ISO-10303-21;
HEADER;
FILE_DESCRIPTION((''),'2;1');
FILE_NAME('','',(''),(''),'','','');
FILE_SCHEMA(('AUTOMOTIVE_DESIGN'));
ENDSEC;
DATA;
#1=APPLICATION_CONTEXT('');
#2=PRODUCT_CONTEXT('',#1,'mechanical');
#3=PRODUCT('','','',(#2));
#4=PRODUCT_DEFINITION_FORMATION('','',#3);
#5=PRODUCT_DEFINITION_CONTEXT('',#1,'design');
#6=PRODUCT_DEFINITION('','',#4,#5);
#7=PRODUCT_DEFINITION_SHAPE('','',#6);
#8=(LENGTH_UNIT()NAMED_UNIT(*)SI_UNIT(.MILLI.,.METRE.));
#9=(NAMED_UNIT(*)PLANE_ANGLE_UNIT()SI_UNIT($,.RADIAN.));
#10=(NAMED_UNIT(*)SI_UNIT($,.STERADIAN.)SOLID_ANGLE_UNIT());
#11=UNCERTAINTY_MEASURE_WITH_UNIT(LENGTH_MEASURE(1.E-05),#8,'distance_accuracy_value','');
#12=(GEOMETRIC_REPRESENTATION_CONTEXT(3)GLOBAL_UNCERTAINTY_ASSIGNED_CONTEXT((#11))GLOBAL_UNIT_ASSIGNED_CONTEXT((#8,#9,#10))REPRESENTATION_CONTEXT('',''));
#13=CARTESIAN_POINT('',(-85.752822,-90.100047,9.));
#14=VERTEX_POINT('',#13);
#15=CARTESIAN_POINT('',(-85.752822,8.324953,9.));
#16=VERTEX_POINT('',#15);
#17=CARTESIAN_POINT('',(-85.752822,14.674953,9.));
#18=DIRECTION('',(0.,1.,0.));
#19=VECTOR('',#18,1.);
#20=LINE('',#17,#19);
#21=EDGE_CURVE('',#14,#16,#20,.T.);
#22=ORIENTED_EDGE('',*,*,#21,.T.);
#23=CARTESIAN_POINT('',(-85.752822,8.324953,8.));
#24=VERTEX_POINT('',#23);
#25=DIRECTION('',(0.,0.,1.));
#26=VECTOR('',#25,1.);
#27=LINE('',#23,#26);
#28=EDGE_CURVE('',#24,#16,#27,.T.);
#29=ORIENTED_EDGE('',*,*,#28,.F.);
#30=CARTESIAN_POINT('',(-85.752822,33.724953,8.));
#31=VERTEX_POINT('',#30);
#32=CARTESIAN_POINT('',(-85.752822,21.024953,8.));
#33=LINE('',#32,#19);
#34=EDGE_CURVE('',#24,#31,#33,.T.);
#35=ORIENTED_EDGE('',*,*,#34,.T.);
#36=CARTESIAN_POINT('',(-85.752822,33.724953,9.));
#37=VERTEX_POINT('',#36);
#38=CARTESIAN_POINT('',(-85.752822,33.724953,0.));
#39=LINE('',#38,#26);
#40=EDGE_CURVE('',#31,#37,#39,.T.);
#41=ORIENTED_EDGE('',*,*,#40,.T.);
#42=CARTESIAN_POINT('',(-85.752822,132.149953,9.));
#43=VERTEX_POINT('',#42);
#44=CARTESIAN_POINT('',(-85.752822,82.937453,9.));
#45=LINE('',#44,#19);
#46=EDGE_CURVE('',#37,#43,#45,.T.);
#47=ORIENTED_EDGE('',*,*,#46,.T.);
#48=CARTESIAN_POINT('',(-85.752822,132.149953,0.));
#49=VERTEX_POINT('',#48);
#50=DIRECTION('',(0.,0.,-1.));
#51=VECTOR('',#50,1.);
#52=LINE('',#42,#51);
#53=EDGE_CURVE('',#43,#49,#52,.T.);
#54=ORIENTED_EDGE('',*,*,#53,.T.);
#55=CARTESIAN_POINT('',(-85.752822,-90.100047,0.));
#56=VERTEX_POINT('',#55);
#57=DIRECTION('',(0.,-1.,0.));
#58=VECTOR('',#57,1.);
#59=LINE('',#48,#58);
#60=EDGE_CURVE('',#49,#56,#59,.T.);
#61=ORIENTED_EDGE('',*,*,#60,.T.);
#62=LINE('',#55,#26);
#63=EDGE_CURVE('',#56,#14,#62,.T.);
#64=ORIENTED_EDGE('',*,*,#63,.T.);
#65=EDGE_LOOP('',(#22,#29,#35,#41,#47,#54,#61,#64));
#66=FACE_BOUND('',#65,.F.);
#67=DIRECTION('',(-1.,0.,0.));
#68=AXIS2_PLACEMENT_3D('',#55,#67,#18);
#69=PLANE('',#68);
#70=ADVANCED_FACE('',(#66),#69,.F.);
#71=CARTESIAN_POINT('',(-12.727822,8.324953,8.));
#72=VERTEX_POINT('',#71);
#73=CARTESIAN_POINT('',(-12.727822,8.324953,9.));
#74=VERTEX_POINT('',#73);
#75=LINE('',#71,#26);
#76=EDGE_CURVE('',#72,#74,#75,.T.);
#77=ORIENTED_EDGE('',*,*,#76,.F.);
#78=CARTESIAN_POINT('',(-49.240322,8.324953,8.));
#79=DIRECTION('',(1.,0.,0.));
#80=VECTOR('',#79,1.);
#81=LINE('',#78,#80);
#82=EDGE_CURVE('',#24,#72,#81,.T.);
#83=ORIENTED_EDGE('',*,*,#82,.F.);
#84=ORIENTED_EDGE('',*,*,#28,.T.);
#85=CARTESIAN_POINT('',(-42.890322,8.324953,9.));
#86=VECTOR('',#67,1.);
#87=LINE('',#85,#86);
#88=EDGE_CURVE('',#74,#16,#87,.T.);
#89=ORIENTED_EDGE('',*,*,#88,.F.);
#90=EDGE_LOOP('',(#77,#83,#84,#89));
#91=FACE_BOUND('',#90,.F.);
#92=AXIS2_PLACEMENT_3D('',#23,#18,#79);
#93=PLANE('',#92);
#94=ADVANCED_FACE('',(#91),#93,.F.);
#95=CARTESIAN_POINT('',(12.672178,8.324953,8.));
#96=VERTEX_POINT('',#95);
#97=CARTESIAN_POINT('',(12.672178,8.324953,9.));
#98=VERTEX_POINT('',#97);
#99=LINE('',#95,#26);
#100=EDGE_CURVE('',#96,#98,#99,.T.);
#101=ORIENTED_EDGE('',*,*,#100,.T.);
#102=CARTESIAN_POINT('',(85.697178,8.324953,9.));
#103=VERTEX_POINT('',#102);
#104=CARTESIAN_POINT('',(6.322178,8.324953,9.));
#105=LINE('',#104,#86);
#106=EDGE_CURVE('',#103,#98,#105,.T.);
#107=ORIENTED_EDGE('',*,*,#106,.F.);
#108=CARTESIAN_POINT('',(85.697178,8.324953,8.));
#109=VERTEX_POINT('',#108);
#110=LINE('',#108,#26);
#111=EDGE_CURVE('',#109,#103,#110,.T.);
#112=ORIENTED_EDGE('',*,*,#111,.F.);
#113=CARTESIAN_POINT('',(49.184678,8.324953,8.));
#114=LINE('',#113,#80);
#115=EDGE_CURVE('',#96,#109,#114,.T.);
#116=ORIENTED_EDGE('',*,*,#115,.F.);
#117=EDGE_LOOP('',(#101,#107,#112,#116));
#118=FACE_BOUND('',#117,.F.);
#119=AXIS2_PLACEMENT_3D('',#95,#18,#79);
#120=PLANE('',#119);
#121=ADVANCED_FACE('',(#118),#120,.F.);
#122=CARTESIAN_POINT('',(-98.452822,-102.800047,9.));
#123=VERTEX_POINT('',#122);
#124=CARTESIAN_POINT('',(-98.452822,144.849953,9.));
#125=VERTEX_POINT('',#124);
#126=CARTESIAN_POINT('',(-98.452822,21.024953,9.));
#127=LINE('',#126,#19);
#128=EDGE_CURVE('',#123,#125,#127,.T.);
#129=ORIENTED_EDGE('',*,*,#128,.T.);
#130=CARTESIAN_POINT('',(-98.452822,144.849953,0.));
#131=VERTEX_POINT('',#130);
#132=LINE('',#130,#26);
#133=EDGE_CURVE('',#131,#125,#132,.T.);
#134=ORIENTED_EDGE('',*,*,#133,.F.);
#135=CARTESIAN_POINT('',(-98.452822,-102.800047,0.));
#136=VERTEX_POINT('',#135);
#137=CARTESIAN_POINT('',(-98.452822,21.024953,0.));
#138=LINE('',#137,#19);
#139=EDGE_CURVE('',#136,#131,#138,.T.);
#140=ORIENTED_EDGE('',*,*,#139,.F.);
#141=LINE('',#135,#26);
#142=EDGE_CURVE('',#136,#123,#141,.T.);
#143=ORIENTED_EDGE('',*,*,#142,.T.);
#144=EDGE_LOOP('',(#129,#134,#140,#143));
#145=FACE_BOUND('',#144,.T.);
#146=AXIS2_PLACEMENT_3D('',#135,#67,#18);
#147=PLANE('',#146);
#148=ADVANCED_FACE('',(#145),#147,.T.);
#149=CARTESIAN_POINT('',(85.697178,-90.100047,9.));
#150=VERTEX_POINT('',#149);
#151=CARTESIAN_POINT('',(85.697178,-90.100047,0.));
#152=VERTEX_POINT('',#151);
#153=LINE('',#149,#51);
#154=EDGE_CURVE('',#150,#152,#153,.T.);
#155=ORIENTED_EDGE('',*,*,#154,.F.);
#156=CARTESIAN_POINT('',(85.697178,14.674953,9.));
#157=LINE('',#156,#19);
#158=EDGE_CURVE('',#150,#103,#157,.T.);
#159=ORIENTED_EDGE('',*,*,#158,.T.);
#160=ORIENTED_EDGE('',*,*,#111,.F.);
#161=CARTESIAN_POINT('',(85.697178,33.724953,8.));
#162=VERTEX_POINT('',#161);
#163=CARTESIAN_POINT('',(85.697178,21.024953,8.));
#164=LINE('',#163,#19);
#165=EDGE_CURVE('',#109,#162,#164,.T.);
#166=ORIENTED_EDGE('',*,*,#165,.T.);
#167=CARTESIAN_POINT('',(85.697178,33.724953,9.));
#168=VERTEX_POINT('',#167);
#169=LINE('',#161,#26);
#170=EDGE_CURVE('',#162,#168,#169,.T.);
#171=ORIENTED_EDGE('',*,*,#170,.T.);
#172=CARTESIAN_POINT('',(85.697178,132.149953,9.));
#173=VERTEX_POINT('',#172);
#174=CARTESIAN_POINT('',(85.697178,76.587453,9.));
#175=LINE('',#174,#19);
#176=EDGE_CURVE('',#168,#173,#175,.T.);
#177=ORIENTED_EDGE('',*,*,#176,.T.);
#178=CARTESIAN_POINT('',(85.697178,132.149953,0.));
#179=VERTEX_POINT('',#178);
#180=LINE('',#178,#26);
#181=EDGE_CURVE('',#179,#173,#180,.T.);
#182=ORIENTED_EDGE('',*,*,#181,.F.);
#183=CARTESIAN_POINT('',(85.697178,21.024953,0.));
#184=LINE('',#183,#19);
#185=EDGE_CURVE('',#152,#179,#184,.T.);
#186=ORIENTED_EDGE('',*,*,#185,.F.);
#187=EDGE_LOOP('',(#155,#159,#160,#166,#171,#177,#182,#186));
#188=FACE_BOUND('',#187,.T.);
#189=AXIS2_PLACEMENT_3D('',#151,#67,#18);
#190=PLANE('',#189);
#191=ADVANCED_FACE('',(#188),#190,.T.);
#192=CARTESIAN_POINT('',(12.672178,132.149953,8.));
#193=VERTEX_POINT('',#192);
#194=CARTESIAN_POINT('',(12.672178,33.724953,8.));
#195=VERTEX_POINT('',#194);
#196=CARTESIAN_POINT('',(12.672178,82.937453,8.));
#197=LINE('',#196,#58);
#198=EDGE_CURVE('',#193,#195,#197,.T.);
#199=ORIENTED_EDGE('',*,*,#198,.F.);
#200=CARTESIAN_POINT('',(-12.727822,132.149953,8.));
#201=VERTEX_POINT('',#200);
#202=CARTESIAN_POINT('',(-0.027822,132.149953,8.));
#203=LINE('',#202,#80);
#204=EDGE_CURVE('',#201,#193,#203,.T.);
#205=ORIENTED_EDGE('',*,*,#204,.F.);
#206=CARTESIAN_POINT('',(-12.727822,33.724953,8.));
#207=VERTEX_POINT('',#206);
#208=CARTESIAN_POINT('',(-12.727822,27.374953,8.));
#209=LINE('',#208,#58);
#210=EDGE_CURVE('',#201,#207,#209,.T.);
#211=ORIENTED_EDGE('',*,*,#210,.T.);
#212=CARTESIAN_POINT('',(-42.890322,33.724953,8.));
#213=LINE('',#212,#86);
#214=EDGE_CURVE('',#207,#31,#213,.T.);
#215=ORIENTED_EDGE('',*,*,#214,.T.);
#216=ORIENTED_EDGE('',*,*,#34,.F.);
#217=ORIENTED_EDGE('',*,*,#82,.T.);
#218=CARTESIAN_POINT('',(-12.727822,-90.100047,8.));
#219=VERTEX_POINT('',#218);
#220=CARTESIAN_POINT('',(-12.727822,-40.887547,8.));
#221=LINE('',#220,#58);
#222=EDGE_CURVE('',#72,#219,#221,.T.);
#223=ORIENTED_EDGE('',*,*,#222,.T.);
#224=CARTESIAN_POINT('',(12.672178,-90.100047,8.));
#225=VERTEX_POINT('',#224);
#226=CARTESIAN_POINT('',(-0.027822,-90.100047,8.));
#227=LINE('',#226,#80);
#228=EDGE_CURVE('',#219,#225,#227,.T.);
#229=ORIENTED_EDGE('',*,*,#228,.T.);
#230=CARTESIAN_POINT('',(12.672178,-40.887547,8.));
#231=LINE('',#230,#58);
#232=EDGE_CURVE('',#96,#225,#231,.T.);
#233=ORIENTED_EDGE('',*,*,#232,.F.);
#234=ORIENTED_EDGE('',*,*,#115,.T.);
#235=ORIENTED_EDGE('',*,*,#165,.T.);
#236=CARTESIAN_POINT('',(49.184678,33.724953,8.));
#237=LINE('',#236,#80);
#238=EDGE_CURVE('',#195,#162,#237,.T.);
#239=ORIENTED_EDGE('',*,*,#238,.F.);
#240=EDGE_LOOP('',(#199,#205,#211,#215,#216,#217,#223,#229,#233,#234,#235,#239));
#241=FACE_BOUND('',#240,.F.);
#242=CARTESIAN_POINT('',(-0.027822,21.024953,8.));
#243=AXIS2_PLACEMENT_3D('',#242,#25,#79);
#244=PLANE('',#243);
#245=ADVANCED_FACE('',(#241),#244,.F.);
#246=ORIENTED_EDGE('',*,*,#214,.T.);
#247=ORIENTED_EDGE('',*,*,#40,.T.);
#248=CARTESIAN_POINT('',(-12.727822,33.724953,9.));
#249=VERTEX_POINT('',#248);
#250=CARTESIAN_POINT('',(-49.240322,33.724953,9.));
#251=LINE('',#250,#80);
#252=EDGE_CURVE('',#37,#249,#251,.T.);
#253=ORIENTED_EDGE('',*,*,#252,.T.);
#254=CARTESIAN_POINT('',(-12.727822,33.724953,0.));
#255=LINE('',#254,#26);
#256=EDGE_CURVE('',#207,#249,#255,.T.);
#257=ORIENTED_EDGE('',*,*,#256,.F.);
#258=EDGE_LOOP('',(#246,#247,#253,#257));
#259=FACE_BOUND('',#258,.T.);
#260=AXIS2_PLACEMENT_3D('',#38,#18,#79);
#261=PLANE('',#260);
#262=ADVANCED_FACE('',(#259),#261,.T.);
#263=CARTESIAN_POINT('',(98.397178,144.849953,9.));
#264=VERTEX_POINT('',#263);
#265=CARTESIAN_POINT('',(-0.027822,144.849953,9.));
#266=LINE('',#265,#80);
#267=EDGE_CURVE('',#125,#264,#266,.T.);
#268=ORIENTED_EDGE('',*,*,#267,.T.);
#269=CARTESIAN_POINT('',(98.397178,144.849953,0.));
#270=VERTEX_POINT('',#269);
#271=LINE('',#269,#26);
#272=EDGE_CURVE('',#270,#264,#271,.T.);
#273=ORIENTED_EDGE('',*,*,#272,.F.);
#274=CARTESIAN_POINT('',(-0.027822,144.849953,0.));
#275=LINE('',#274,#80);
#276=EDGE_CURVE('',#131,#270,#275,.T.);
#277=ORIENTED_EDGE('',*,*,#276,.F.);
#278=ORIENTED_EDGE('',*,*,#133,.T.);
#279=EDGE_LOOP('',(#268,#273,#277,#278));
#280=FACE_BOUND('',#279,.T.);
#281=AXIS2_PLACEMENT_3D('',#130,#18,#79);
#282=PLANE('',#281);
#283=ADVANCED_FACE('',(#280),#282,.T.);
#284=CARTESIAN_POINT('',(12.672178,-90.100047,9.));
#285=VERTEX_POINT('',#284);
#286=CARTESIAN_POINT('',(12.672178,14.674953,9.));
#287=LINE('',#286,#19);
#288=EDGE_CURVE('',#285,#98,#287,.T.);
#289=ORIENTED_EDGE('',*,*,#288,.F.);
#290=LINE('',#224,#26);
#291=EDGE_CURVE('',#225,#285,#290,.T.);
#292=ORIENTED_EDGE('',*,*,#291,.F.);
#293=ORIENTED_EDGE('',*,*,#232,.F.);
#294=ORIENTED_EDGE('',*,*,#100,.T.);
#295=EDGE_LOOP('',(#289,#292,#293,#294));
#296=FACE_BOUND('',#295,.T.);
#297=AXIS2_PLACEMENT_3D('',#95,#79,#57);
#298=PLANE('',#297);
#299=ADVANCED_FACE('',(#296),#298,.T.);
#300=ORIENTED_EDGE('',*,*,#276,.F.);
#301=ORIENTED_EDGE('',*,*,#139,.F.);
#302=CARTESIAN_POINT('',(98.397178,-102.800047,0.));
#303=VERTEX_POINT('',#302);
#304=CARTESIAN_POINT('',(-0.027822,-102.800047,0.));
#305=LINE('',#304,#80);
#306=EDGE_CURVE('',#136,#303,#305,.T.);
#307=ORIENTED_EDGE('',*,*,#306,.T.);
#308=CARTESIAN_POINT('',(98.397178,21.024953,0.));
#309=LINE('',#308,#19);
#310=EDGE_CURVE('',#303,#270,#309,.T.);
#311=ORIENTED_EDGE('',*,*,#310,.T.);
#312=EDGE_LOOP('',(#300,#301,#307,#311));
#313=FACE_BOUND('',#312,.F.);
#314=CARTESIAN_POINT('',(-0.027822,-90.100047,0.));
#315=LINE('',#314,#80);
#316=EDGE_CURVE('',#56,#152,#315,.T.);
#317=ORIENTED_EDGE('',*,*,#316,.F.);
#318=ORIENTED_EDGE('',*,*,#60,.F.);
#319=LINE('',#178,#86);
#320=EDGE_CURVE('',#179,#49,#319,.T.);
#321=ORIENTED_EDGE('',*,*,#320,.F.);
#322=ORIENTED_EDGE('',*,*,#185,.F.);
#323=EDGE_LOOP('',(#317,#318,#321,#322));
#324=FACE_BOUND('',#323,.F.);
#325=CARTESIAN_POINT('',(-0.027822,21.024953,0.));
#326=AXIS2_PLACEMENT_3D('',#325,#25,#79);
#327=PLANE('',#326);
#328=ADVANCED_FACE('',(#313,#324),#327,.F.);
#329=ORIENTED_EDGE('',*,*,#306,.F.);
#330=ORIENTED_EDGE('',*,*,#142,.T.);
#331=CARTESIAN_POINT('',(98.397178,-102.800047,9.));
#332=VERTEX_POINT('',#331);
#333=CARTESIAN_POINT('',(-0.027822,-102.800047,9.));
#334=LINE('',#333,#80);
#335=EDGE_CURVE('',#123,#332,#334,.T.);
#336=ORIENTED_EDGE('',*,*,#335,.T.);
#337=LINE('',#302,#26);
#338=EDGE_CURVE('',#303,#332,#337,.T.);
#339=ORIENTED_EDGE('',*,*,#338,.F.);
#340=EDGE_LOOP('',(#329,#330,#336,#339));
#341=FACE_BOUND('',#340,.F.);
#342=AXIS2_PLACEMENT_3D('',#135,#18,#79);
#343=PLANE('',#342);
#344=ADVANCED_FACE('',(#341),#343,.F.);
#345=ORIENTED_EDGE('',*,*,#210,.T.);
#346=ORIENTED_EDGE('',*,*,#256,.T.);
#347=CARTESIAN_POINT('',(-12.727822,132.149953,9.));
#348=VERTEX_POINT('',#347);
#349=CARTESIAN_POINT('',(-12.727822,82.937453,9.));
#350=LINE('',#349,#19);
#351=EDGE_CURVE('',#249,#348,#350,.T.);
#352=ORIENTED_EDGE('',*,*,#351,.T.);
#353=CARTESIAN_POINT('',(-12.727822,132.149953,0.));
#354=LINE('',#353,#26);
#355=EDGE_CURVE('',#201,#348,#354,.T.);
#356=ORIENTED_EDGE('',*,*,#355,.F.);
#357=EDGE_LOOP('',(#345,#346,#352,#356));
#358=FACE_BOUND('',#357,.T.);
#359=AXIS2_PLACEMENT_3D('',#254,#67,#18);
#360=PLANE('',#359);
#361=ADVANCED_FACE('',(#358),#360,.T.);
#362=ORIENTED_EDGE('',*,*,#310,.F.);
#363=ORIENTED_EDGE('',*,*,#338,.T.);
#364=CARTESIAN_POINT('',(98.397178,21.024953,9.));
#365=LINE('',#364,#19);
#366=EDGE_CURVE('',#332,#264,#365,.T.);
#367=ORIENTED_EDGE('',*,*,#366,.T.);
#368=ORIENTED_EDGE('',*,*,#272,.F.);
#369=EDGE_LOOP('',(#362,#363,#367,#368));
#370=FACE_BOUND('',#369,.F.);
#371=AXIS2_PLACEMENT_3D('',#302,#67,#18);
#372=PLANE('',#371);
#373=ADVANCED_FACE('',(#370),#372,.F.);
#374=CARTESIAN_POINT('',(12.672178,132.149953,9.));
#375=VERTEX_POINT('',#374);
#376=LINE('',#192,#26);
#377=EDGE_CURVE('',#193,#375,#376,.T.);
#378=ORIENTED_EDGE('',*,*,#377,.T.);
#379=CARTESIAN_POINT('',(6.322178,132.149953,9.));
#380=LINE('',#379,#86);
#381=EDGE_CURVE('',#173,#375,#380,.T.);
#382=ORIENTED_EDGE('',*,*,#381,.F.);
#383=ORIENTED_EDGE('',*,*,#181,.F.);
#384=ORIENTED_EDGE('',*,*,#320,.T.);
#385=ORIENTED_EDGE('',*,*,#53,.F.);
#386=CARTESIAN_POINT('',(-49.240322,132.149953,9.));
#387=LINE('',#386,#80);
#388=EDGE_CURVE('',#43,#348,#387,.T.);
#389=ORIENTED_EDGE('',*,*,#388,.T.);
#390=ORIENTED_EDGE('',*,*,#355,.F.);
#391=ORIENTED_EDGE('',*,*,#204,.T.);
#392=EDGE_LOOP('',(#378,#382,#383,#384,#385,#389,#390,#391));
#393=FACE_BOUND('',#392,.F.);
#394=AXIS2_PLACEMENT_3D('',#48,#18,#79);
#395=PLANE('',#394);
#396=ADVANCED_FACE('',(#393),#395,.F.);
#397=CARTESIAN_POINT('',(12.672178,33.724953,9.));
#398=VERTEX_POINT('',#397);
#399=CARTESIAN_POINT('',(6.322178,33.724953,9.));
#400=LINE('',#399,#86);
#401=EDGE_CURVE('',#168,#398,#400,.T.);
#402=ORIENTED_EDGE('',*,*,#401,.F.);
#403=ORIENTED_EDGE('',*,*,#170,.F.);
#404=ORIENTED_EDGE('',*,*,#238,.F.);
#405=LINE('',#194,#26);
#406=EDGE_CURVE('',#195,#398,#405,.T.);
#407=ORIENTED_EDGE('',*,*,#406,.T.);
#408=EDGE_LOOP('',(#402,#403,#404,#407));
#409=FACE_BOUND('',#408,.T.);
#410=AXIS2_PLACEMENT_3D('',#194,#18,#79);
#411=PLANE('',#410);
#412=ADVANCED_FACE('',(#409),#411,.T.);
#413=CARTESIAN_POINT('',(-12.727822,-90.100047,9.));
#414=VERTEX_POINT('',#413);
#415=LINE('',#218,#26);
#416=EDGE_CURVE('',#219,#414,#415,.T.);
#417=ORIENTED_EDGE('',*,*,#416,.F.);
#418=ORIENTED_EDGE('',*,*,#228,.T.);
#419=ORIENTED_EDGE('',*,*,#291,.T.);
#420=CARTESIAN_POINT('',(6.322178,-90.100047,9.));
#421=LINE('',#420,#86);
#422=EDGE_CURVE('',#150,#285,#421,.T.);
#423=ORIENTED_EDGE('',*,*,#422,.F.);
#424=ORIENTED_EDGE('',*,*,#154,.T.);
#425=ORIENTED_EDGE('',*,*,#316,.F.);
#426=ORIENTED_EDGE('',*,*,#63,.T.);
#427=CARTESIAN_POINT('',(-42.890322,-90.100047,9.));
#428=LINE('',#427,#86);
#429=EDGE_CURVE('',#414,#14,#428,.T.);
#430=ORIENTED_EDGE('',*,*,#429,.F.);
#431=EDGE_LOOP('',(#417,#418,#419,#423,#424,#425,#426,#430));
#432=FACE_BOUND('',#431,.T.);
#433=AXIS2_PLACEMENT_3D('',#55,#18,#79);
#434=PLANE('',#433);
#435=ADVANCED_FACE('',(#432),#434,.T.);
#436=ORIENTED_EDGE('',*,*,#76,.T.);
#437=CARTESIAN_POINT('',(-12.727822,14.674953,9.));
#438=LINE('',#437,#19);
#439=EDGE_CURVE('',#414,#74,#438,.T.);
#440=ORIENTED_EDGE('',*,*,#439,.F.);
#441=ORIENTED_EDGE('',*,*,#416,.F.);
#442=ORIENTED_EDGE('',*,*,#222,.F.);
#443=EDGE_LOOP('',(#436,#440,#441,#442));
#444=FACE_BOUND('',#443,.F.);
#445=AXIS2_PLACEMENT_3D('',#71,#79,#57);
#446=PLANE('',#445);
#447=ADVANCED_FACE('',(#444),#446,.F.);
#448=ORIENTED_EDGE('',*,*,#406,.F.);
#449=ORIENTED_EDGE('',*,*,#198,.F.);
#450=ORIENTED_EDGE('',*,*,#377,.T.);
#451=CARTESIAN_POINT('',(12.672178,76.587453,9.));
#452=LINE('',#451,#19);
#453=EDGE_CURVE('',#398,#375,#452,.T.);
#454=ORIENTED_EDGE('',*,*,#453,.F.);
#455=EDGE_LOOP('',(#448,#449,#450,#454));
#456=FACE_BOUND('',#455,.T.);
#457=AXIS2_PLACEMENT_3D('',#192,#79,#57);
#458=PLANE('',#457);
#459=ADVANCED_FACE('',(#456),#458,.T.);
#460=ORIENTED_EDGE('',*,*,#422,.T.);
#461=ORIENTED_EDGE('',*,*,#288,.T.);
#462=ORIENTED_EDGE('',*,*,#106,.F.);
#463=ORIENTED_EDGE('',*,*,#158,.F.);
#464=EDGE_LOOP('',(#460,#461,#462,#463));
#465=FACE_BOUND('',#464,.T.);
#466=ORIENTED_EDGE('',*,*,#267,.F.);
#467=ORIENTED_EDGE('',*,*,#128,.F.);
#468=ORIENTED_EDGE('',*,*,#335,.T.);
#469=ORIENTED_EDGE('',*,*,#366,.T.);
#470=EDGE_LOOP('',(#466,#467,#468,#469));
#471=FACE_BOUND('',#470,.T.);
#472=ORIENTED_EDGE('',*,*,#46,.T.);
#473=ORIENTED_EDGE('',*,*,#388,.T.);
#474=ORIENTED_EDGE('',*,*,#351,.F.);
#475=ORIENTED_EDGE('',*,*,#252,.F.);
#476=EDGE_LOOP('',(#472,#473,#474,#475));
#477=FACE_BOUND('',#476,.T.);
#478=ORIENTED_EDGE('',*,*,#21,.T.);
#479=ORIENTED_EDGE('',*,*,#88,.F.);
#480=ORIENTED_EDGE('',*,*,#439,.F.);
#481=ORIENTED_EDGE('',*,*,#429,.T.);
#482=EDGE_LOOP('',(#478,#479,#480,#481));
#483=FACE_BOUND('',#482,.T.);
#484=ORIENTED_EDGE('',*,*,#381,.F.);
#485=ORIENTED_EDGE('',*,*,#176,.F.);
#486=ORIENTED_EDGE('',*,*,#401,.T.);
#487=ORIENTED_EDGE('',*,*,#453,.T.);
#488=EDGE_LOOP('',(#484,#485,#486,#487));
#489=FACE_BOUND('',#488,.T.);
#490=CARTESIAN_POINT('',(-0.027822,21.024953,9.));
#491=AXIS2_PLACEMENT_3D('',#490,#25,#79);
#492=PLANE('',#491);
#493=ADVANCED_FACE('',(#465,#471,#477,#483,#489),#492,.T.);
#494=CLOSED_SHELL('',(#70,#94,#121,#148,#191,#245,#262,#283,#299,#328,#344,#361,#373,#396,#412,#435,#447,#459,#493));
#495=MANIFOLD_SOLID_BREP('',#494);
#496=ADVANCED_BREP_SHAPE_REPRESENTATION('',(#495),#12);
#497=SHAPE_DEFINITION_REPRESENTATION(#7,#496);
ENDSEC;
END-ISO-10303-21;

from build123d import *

# Parameters (mm, degrees)
F0_W      = 196.85
F0_H      = 247.65
F0_W_2    = 171.45
F0_H_2    = 222.25
F1_DEPTH  = 9
F2_DEPTH  = 8
F3_W      = 73.025
F3_H      = 98.425
F4_DEPTH  = 9
F5_W      = 73.025
F5_H      = 98.425
F6_DEPTH  = 10
F7_W      = 73.025
F7_H      = 98.425
F8_DEPTH  = 10
F9_W      = 73.025
F9_H      = 98.425
F10_DEPTH = 10


with BuildPart() as f1:
    # F0 (on Top) → F1 (new body)
    with BuildSketch(Plane.XY):
        with Locations((-0.0278223306, 21.0249534539)):
            Rectangle(F0_W, F0_H)
        with Locations((-0.0278223306, 21.0249534539)):
            Rectangle(F0_W_2, F0_H_2, mode=Mode.SUBTRACT)
        with Locations((-0.0278223306, 21.0249534539)):
            Rectangle(F0_W_2, F0_H_2)
    extrude(amount=F1_DEPTH)

    # F0 (on Top) → F2 (cut)
    with BuildSketch(Plane.XY):
        with Locations((-0.0278223306, 21.0249534539)):
            Rectangle(F0_W_2, F0_H_2)
    extrude(amount=F2_DEPTH, mode=Mode.SUBTRACT)

    # F3 (on face) → F4 (cut)
    with BuildSketch(Plane.XY):
        with Locations((-49.2403223306, 82.9374534539)):
            Rectangle(F3_W, F3_H)
    extrude(amount=F4_DEPTH, mode=Mode.SUBTRACT)

    # F5 (on face) → F6 (cut)
    with BuildSketch(Plane(origin=(0, 0, 8), x_dir=(1, 0, 0), z_dir=(0, 0, -1))):
        with Locations((-49.2403223306, 40.8875465461)):
            Rectangle(F5_W, F5_H)
    extrude(amount=-F6_DEPTH, mode=Mode.SUBTRACT)

    # F7 (on face) → F8 (cut)
    with BuildSketch(Plane(origin=(0, 0, 8), x_dir=(1, 0, 0), z_dir=(0, 0, -1))):
        with Locations((49.1846776694, -82.9374534539)):
            Rectangle(F7_W, F7_H)
    extrude(amount=-F8_DEPTH, mode=Mode.SUBTRACT)

    # F9 (on face) → F10 (cut)
    with BuildSketch(Plane(origin=(0, 0, 8), x_dir=(1, 0, 0), z_dir=(0, 0, -1))):
        with Locations((49.1846776694, 40.8875465461)):
            Rectangle(F9_W, F9_H)
    extrude(amount=-F10_DEPTH, mode=Mode.SUBTRACT)


solid = f1.part
